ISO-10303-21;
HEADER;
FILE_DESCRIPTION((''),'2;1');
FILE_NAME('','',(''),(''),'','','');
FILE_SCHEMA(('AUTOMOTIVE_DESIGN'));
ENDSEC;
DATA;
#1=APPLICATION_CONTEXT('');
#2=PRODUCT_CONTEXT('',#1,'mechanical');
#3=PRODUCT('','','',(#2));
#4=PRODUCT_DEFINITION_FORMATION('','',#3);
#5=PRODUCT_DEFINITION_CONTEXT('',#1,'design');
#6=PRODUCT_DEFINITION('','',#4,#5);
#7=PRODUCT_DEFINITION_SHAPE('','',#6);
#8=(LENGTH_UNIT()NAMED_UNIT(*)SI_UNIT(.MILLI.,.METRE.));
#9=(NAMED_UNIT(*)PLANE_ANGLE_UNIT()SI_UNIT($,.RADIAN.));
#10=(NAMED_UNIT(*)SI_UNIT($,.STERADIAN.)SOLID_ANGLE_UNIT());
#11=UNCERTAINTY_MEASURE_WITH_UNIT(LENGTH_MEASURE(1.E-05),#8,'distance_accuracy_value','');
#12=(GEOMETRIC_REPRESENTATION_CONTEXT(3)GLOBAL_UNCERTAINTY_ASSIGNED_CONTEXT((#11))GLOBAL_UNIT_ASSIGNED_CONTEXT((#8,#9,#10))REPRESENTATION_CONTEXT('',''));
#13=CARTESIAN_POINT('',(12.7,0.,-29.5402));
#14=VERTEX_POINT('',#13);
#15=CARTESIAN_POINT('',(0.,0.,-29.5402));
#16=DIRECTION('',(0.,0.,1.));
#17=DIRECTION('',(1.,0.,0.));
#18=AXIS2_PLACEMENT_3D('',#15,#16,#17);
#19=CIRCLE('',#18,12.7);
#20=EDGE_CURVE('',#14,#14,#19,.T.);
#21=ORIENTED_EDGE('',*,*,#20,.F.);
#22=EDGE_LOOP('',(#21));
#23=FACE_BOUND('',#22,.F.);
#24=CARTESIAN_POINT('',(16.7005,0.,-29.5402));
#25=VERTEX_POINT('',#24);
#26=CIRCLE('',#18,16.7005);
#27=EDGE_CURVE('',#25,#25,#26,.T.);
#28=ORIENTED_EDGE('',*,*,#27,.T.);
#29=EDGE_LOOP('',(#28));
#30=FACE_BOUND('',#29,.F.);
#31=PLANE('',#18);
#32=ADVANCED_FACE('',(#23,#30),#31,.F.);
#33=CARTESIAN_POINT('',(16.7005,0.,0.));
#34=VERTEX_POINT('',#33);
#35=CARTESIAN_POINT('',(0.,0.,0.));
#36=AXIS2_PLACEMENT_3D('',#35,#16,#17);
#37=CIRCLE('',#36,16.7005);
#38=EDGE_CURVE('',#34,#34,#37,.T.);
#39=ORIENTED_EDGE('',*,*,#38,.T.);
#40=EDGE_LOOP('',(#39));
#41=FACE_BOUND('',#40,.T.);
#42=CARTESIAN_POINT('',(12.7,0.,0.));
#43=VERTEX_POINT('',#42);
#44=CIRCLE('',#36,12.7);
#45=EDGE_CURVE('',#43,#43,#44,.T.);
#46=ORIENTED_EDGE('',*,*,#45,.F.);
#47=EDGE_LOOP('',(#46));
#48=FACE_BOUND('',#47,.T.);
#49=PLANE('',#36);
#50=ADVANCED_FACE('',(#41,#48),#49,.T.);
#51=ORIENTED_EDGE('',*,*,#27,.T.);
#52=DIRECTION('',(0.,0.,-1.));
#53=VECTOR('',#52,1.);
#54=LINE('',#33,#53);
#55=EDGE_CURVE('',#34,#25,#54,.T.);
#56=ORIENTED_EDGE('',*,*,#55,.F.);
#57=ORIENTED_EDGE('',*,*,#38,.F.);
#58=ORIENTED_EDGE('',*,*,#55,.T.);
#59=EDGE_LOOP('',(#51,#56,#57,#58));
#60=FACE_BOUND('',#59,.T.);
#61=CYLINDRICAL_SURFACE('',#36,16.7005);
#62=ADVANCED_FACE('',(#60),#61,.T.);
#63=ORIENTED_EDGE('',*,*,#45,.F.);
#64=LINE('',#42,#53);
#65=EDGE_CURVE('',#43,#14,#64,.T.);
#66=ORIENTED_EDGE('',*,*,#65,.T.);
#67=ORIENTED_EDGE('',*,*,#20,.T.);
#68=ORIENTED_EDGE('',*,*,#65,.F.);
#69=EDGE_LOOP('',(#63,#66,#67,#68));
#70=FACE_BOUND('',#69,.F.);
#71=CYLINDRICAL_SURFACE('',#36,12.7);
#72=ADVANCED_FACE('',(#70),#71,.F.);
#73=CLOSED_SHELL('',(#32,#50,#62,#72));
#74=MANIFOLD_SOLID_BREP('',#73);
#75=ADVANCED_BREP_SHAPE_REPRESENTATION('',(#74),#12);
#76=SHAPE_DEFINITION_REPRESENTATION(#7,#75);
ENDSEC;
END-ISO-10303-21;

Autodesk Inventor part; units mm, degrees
ref_plane "YZ Plane" through (0, 0, 0) normal (1, 0, 0) x (0, 1, 0)
ref_plane "XZ Plane" through (0, 0, 0) normal (0, 1, 0) x (-1, 0, 0)
ref_plane "XY Plane" through (0, 0, 0) normal (0, 0, 1) x (1, 0, 0)
sketch "Sketch1" plane through (0, 0, 0) normal (0, 0, 1) x (1, 0, 0)
  circle A0 centre (0, 0) radius 16.7005
  circle A1 centre (0, 0) radius 12.7
  dimension "d0" = 33.401
  dimension "d1" = 25.4
extrude "Extrusion1" add sketch "Sketch1" against normal blind 29.5402
properties part number "Pipe OD - ID adapt"
